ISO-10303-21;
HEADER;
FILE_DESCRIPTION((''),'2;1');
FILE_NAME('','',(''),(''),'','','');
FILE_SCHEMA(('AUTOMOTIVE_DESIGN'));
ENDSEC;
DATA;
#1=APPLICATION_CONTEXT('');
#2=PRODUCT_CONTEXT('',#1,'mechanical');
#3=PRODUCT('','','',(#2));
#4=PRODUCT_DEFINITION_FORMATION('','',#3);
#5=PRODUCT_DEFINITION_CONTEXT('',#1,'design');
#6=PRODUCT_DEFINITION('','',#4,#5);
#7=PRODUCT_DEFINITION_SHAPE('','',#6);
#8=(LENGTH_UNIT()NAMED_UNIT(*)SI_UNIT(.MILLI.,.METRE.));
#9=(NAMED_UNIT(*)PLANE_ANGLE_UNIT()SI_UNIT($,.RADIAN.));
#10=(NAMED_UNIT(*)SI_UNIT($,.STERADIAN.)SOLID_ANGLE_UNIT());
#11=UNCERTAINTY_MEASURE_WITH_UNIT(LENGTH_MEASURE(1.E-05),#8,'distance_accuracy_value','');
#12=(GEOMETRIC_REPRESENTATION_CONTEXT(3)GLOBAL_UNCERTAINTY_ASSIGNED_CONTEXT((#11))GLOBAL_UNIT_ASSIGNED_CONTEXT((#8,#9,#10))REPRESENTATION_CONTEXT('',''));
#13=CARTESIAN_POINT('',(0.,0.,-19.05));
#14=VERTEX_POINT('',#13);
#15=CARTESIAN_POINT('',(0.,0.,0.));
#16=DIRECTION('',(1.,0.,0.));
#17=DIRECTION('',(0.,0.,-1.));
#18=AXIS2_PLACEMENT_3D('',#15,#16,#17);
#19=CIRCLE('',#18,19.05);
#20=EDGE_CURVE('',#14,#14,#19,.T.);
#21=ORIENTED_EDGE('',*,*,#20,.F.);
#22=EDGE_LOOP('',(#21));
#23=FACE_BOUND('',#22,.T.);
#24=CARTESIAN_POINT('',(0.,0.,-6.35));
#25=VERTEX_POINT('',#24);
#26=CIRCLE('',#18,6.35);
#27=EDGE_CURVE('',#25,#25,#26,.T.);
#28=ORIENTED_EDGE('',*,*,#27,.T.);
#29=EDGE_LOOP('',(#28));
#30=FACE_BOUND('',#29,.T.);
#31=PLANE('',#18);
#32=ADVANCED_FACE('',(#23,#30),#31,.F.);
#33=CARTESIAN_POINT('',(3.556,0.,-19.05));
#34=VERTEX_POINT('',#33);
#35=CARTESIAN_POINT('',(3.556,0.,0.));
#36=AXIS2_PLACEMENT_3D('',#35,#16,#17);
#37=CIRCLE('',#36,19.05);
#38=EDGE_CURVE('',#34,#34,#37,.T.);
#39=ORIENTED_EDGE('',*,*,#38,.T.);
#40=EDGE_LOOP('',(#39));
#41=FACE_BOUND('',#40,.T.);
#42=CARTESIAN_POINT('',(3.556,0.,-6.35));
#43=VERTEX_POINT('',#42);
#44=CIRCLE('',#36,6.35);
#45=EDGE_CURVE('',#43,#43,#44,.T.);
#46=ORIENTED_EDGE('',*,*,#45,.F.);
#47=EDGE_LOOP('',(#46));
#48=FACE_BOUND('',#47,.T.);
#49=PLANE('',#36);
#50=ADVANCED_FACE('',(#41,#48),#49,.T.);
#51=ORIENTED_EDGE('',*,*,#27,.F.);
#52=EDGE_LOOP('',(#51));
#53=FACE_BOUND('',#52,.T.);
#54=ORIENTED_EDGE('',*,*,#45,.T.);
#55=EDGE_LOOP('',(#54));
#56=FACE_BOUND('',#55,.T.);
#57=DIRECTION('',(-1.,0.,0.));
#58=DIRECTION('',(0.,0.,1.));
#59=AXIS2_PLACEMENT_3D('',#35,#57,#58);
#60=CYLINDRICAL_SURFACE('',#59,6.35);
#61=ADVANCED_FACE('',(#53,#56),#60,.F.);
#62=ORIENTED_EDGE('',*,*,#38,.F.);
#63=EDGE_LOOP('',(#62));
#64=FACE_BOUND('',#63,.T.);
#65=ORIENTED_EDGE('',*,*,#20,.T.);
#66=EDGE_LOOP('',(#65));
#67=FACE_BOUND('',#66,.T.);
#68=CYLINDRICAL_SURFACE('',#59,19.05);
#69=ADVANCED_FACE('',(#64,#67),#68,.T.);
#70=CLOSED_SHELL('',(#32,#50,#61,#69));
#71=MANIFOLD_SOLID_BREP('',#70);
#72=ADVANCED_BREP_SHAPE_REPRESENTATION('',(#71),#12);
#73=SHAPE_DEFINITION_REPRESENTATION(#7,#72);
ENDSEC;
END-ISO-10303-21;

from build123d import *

# Parameters (mm, degrees)
SKETCH1_R           = 19.05
SKETCH1_R_2         = 6.35
BOSS_EXTRUDE1_DEPTH = 3.556


with BuildPart() as part:
    # Sketch1 → Boss-Extrude1 (new body)
    with BuildSketch(Plane(origin=(0, 0, 0), x_dir=(0, 0, -1), z_dir=(1, 0, 0))):
        Circle(SKETCH1_R)
        Circle(SKETCH1_R_2, mode=Mode.SUBTRACT)
    extrude(amount=BOSS_EXTRUDE1_DEPTH)


solid = part.part
